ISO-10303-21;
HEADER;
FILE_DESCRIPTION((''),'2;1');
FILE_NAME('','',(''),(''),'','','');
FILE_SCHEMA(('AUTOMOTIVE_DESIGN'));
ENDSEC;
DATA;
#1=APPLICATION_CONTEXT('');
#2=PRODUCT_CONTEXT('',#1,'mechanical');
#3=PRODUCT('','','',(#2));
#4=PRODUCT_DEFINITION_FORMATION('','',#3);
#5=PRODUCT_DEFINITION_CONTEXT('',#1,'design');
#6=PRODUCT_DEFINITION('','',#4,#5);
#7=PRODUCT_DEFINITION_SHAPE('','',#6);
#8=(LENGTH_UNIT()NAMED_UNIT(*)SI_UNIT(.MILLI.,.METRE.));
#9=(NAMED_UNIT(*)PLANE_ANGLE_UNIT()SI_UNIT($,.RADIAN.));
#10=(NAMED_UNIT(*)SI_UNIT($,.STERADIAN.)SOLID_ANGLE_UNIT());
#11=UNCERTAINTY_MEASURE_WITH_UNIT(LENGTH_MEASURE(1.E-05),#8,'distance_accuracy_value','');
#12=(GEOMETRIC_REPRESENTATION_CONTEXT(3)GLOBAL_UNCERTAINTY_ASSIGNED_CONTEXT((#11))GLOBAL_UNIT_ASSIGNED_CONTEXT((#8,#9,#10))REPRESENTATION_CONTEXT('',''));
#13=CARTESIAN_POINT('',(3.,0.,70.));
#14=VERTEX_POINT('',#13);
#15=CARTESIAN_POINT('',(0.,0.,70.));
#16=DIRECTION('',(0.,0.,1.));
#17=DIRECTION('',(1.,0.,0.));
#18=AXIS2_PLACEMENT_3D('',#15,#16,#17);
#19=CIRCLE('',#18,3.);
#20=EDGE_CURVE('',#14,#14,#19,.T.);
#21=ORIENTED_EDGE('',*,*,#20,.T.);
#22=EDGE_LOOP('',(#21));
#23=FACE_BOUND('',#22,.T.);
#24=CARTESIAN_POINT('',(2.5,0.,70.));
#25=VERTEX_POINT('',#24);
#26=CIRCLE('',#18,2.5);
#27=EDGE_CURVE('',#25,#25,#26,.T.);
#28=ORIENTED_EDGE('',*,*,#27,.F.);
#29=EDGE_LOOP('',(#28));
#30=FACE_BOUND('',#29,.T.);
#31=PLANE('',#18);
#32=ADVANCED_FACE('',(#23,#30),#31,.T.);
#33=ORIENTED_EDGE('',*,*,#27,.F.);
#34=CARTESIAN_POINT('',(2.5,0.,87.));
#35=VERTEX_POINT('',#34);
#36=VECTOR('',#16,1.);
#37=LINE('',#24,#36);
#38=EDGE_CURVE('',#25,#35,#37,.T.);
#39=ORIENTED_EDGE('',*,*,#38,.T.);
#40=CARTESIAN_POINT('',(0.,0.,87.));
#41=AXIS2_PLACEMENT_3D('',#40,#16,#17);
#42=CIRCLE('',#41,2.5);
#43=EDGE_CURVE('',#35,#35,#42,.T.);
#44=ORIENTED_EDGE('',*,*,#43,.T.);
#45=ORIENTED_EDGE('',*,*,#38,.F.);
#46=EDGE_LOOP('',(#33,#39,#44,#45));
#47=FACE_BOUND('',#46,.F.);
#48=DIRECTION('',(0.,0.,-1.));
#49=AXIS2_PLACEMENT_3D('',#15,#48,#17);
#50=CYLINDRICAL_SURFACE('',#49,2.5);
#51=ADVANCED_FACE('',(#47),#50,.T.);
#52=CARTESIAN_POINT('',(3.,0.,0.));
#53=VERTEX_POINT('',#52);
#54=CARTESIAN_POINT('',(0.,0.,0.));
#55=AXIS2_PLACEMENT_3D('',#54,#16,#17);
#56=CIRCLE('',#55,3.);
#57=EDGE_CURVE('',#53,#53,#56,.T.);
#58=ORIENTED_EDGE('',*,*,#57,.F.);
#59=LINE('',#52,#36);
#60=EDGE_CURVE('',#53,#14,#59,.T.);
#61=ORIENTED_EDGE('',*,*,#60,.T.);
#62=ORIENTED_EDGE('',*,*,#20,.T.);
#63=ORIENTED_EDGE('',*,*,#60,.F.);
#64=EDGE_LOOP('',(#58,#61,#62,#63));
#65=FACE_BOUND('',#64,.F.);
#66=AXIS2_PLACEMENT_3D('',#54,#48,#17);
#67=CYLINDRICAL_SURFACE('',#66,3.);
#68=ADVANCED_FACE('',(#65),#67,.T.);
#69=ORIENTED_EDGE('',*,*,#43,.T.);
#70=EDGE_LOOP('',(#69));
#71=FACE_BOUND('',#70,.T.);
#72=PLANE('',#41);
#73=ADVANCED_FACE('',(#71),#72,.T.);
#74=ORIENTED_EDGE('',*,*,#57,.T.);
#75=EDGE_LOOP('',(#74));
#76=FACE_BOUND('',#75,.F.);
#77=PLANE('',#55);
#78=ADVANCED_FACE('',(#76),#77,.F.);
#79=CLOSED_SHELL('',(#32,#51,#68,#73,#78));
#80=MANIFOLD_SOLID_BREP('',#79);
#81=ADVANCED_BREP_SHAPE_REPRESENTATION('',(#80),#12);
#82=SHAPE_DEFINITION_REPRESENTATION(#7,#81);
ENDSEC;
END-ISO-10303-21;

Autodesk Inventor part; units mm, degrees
ref_plane "YZ Plane" through (0, 0, 0) normal (1, 0, 0) x (0, 1, 0)
ref_plane "XZ Plane" through (0, 0, 0) normal (0, 1, 0) x (-1, 0, 0)
ref_plane "XY Plane" through (0, 0, 0) normal (0, 0, 1) x (1, 0, 0)
sketch "スケッチ1" plane through (0, 0, 0) normal (0, 0, 1) x (1, 0, 0)
  circle A0 centre (0, 0) radius 3
  dimension "d0" = 6
extrude "押し出し1" add sketch "スケッチ1" along normal blind 70
sketch "スケッチ2" plane through (0, 0, 70) normal (0, 0, 1) x (1, 0, 0)
  circle A0 centre (0, 0) radius 2.5
  dimension "d3" = 5
extrude "押し出し2" add sketch "スケッチ2" along normal blind 17
properties part number "aircilinder_60_lod"
